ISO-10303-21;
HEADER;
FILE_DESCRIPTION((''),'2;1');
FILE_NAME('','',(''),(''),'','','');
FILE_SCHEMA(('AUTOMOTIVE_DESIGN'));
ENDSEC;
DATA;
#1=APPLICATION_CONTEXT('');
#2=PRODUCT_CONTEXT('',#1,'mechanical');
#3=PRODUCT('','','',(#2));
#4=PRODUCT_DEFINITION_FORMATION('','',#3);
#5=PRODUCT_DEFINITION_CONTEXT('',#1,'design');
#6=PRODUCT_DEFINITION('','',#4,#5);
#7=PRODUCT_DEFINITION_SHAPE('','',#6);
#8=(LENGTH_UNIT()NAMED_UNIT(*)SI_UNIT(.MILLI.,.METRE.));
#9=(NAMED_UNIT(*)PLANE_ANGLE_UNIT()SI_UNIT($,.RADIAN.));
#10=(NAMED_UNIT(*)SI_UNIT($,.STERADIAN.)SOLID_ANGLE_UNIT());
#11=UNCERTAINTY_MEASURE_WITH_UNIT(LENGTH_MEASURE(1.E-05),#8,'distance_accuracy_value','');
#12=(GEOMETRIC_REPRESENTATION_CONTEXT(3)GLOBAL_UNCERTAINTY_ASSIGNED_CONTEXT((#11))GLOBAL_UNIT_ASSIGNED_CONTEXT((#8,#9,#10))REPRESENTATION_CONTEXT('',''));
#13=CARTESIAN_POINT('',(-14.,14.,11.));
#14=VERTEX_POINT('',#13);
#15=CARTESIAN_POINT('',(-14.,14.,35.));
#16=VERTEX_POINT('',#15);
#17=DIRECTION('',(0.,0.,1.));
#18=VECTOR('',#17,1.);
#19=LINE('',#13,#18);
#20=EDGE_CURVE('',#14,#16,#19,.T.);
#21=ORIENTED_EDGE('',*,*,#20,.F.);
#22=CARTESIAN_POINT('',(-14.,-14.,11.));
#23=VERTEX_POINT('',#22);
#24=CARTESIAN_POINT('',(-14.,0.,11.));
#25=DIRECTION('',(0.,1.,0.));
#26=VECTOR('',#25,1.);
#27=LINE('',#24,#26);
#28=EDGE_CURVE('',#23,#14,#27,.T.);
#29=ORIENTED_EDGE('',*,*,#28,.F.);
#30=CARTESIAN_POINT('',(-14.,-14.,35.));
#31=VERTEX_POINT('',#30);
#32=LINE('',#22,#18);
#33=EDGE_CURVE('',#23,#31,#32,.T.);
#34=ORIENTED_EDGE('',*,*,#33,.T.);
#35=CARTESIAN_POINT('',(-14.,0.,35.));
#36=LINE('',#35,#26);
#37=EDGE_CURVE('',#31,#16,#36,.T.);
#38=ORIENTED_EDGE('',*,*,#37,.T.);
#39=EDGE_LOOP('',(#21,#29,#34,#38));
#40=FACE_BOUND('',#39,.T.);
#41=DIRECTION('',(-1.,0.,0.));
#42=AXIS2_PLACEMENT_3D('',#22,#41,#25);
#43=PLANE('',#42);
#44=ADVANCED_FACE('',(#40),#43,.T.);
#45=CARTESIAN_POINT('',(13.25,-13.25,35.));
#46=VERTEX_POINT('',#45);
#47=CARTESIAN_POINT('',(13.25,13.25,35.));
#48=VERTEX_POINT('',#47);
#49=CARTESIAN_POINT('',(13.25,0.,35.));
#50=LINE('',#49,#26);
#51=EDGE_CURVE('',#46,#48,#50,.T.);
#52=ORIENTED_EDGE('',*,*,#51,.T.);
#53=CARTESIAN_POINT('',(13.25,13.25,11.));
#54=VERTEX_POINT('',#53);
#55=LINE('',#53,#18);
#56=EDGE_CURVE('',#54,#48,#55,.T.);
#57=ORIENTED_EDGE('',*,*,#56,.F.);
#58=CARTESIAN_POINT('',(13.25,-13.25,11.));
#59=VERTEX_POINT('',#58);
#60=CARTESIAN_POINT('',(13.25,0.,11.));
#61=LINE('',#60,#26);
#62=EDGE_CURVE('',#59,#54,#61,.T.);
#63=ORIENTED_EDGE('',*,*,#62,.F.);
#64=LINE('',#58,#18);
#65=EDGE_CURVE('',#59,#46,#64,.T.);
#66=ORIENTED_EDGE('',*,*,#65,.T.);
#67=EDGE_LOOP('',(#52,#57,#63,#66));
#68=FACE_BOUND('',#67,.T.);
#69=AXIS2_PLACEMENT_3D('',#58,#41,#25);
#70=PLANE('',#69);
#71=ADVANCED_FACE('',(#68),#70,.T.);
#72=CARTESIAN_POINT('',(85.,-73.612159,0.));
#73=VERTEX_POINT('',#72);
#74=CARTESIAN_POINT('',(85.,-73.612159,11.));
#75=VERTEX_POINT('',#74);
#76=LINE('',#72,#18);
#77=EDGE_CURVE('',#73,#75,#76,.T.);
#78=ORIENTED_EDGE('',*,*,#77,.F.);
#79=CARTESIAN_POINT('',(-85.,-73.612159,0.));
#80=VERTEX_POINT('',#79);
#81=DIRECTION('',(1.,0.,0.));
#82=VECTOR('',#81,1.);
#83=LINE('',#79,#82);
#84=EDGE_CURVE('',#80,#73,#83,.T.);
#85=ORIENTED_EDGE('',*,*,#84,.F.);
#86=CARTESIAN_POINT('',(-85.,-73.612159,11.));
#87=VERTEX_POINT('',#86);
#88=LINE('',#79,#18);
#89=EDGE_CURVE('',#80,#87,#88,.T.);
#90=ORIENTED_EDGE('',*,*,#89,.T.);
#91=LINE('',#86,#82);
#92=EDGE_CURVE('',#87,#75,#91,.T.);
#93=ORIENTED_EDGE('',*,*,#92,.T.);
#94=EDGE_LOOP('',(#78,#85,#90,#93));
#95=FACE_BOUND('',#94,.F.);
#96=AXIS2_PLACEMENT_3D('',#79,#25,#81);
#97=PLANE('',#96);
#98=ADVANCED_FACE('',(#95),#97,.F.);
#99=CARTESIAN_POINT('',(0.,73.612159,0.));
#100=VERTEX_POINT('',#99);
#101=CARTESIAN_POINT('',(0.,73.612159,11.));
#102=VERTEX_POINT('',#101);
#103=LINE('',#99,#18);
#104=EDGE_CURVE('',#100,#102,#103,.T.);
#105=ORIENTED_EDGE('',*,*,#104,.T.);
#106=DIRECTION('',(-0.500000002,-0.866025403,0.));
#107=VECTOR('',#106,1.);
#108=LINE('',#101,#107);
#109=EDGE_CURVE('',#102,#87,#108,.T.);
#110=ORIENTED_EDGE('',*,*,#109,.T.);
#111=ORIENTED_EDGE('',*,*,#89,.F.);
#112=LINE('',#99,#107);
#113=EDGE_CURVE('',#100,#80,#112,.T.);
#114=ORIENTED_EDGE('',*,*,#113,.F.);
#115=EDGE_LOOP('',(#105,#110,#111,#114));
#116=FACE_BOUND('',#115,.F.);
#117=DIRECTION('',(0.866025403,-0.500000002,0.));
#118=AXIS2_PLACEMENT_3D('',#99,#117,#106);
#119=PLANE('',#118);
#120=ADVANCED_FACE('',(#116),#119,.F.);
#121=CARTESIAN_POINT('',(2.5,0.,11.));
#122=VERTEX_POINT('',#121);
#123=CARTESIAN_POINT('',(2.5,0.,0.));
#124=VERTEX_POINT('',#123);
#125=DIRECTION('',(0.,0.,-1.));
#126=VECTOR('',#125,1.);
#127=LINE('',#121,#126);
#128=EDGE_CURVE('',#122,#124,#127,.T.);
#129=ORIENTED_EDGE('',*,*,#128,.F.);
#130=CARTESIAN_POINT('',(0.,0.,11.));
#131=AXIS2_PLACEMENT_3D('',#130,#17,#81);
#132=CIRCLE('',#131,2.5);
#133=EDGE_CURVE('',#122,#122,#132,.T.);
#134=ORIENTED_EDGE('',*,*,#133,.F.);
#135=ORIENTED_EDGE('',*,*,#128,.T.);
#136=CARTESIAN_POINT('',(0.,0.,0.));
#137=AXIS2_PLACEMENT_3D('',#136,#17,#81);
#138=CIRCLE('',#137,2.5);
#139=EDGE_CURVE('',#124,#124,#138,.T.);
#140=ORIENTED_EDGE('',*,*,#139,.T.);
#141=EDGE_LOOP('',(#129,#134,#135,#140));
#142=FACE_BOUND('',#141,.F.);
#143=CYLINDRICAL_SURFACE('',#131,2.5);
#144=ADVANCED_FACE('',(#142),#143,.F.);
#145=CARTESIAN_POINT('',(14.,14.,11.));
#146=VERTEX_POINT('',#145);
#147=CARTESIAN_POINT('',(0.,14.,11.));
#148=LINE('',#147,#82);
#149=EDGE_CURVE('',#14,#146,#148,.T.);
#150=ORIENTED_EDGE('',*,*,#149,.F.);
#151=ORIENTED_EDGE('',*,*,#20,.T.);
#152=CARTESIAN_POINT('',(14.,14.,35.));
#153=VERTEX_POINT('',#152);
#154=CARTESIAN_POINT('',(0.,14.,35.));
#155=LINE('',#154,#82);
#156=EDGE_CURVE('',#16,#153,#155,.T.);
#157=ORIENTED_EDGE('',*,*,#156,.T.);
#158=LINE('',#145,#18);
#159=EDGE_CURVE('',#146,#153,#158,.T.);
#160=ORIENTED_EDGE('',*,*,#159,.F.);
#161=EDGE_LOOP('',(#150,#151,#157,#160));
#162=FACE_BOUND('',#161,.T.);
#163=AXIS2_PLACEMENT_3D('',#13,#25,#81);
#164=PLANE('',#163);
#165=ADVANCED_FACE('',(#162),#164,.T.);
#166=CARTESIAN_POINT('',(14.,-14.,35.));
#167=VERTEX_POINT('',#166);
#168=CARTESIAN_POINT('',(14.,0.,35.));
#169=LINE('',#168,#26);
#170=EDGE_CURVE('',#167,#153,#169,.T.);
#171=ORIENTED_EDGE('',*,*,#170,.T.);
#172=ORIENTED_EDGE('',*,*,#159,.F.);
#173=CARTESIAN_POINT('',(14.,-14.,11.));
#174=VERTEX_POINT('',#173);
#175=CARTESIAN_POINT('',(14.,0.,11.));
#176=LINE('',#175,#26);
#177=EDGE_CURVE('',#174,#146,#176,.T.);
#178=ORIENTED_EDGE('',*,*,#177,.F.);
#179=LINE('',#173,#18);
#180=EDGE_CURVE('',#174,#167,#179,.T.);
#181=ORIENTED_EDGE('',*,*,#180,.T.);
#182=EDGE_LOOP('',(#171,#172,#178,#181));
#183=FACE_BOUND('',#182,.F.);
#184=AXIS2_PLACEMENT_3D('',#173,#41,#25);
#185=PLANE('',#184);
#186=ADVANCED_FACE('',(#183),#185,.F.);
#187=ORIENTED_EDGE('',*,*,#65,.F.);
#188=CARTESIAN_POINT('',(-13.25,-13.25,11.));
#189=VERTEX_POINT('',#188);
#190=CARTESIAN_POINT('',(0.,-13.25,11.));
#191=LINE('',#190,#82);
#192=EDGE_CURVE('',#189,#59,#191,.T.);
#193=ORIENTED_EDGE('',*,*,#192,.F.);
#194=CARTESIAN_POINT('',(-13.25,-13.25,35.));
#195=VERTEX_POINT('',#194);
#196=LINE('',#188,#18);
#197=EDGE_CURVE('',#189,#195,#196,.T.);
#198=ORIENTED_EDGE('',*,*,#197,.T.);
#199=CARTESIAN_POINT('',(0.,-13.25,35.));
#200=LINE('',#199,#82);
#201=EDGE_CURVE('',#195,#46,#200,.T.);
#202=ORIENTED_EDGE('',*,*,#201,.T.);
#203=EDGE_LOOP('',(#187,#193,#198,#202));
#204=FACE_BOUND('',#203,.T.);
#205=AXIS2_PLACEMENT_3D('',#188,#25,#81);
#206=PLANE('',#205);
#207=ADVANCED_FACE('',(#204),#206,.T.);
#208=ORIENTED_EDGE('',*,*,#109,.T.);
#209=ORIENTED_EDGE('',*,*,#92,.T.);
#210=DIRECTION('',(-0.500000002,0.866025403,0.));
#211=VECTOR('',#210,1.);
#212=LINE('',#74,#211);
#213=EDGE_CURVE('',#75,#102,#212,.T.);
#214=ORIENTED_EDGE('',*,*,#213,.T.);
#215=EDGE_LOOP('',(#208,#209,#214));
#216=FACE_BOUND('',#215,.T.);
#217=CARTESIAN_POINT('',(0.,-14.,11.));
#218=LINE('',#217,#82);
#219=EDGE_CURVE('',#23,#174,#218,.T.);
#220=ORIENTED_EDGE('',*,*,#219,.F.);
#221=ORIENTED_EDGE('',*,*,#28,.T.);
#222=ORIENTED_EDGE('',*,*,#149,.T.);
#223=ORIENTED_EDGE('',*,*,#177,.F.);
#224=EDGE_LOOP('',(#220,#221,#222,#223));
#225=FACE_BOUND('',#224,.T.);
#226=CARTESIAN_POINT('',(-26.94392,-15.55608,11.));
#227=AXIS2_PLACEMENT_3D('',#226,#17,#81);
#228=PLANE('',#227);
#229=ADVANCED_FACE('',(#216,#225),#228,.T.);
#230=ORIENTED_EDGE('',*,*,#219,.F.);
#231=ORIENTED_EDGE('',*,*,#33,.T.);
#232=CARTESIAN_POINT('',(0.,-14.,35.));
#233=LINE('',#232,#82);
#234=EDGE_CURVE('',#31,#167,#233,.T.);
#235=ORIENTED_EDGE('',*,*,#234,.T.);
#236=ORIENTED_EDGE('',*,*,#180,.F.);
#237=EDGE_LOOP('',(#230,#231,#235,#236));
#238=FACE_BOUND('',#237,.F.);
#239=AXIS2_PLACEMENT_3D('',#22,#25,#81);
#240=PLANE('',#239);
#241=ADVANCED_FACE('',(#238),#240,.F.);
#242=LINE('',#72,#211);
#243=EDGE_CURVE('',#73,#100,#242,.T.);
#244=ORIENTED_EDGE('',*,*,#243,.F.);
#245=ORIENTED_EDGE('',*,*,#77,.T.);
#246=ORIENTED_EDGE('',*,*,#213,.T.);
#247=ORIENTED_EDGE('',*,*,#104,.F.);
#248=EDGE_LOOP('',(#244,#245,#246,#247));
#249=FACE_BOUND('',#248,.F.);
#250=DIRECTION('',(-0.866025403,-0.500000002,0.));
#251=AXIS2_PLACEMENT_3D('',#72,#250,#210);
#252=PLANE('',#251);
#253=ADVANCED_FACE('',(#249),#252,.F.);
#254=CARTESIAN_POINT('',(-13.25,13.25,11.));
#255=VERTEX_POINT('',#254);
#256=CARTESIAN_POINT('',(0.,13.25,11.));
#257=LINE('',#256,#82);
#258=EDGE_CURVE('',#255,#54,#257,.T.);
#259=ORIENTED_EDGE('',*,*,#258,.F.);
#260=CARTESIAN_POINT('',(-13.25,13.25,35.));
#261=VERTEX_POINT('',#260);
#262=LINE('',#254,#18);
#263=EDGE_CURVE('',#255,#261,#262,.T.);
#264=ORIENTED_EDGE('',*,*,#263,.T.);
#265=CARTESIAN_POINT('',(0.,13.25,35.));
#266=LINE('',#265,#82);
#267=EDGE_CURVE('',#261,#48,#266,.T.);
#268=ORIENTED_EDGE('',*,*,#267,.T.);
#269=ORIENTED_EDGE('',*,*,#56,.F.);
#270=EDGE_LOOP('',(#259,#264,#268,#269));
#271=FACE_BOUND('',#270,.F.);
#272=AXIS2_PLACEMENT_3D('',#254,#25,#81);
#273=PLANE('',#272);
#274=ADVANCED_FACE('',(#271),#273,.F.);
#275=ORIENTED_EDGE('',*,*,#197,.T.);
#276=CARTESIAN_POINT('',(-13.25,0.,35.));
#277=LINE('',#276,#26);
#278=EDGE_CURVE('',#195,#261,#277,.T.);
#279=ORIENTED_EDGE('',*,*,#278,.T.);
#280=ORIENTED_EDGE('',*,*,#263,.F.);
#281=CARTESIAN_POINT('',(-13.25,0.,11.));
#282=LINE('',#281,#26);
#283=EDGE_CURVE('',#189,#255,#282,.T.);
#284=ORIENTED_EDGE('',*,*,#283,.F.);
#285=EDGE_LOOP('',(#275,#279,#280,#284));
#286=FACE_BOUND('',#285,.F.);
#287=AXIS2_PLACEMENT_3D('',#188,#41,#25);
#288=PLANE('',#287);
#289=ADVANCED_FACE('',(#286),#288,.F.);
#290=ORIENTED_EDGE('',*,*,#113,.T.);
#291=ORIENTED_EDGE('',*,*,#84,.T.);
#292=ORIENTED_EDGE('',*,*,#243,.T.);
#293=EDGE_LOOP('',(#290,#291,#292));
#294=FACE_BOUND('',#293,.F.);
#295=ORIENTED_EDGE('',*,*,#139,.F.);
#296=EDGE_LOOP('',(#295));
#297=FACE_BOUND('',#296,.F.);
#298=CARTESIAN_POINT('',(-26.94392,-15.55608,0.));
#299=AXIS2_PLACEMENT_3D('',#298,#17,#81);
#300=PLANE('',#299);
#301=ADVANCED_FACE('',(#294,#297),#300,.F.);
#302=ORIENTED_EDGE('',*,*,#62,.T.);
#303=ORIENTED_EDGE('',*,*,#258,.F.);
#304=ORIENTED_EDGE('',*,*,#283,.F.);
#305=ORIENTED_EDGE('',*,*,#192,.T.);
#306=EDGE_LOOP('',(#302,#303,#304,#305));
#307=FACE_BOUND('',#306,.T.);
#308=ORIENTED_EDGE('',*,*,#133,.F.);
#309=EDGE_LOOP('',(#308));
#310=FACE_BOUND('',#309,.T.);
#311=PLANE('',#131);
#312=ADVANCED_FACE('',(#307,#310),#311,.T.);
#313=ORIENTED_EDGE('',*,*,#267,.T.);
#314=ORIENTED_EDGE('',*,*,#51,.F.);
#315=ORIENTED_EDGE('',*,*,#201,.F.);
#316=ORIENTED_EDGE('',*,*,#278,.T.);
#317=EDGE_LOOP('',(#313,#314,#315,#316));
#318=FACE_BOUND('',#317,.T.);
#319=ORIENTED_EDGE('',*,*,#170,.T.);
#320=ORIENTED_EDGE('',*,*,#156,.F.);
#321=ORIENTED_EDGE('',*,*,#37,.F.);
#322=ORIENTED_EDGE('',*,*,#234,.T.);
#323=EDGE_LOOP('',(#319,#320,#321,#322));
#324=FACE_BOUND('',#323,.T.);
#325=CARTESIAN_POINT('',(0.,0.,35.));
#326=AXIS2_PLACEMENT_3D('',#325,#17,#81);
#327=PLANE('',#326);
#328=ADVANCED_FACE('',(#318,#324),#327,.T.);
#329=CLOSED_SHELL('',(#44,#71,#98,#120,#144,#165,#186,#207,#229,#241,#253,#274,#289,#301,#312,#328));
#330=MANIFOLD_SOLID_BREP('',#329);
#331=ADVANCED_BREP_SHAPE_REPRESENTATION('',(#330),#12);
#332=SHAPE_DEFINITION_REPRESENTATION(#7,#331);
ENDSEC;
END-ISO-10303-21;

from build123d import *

# Parameters (mm, degrees)
F1_DEPTH = 11
F3_W     = 28
F3_H     = 28
F4_DEPTH = 24
F2_W     = 26.5
F2_H     = 26.5
F5_DEPTH = 24
F6_R     = 2.5
F7_DEPTH = 25


with BuildPart() as f1:
    # F0 (on Top) → F1 (new body)
    with BuildSketch(Plane.XY):
        Polygon((0, 73.612159), (-85, -73.612159), (0, -73.612159), align=None)
        Polygon((0, 73.612159), (0, -73.612159), (85, -73.612159), align=None)
    extrude(amount=F1_DEPTH)

    # F3 (on face) → F4 (join)
    with BuildSketch(Plane.XY.offset(11)):
        Rectangle(F3_W, F3_H)
    extrude(amount=F4_DEPTH)

    # F2 (on face) → F5 (cut)
    with BuildSketch(Plane.XY.offset(11)):
        Rectangle(F2_W, F2_H)
    extrude(amount=F5_DEPTH, mode=Mode.SUBTRACT)

    # F6 (on face) → F7 (cut)
    with BuildSketch(Plane.XY.offset(11)):
        Circle(F6_R)
    extrude(amount=-F7_DEPTH, mode=Mode.SUBTRACT)


solid = f1.part
